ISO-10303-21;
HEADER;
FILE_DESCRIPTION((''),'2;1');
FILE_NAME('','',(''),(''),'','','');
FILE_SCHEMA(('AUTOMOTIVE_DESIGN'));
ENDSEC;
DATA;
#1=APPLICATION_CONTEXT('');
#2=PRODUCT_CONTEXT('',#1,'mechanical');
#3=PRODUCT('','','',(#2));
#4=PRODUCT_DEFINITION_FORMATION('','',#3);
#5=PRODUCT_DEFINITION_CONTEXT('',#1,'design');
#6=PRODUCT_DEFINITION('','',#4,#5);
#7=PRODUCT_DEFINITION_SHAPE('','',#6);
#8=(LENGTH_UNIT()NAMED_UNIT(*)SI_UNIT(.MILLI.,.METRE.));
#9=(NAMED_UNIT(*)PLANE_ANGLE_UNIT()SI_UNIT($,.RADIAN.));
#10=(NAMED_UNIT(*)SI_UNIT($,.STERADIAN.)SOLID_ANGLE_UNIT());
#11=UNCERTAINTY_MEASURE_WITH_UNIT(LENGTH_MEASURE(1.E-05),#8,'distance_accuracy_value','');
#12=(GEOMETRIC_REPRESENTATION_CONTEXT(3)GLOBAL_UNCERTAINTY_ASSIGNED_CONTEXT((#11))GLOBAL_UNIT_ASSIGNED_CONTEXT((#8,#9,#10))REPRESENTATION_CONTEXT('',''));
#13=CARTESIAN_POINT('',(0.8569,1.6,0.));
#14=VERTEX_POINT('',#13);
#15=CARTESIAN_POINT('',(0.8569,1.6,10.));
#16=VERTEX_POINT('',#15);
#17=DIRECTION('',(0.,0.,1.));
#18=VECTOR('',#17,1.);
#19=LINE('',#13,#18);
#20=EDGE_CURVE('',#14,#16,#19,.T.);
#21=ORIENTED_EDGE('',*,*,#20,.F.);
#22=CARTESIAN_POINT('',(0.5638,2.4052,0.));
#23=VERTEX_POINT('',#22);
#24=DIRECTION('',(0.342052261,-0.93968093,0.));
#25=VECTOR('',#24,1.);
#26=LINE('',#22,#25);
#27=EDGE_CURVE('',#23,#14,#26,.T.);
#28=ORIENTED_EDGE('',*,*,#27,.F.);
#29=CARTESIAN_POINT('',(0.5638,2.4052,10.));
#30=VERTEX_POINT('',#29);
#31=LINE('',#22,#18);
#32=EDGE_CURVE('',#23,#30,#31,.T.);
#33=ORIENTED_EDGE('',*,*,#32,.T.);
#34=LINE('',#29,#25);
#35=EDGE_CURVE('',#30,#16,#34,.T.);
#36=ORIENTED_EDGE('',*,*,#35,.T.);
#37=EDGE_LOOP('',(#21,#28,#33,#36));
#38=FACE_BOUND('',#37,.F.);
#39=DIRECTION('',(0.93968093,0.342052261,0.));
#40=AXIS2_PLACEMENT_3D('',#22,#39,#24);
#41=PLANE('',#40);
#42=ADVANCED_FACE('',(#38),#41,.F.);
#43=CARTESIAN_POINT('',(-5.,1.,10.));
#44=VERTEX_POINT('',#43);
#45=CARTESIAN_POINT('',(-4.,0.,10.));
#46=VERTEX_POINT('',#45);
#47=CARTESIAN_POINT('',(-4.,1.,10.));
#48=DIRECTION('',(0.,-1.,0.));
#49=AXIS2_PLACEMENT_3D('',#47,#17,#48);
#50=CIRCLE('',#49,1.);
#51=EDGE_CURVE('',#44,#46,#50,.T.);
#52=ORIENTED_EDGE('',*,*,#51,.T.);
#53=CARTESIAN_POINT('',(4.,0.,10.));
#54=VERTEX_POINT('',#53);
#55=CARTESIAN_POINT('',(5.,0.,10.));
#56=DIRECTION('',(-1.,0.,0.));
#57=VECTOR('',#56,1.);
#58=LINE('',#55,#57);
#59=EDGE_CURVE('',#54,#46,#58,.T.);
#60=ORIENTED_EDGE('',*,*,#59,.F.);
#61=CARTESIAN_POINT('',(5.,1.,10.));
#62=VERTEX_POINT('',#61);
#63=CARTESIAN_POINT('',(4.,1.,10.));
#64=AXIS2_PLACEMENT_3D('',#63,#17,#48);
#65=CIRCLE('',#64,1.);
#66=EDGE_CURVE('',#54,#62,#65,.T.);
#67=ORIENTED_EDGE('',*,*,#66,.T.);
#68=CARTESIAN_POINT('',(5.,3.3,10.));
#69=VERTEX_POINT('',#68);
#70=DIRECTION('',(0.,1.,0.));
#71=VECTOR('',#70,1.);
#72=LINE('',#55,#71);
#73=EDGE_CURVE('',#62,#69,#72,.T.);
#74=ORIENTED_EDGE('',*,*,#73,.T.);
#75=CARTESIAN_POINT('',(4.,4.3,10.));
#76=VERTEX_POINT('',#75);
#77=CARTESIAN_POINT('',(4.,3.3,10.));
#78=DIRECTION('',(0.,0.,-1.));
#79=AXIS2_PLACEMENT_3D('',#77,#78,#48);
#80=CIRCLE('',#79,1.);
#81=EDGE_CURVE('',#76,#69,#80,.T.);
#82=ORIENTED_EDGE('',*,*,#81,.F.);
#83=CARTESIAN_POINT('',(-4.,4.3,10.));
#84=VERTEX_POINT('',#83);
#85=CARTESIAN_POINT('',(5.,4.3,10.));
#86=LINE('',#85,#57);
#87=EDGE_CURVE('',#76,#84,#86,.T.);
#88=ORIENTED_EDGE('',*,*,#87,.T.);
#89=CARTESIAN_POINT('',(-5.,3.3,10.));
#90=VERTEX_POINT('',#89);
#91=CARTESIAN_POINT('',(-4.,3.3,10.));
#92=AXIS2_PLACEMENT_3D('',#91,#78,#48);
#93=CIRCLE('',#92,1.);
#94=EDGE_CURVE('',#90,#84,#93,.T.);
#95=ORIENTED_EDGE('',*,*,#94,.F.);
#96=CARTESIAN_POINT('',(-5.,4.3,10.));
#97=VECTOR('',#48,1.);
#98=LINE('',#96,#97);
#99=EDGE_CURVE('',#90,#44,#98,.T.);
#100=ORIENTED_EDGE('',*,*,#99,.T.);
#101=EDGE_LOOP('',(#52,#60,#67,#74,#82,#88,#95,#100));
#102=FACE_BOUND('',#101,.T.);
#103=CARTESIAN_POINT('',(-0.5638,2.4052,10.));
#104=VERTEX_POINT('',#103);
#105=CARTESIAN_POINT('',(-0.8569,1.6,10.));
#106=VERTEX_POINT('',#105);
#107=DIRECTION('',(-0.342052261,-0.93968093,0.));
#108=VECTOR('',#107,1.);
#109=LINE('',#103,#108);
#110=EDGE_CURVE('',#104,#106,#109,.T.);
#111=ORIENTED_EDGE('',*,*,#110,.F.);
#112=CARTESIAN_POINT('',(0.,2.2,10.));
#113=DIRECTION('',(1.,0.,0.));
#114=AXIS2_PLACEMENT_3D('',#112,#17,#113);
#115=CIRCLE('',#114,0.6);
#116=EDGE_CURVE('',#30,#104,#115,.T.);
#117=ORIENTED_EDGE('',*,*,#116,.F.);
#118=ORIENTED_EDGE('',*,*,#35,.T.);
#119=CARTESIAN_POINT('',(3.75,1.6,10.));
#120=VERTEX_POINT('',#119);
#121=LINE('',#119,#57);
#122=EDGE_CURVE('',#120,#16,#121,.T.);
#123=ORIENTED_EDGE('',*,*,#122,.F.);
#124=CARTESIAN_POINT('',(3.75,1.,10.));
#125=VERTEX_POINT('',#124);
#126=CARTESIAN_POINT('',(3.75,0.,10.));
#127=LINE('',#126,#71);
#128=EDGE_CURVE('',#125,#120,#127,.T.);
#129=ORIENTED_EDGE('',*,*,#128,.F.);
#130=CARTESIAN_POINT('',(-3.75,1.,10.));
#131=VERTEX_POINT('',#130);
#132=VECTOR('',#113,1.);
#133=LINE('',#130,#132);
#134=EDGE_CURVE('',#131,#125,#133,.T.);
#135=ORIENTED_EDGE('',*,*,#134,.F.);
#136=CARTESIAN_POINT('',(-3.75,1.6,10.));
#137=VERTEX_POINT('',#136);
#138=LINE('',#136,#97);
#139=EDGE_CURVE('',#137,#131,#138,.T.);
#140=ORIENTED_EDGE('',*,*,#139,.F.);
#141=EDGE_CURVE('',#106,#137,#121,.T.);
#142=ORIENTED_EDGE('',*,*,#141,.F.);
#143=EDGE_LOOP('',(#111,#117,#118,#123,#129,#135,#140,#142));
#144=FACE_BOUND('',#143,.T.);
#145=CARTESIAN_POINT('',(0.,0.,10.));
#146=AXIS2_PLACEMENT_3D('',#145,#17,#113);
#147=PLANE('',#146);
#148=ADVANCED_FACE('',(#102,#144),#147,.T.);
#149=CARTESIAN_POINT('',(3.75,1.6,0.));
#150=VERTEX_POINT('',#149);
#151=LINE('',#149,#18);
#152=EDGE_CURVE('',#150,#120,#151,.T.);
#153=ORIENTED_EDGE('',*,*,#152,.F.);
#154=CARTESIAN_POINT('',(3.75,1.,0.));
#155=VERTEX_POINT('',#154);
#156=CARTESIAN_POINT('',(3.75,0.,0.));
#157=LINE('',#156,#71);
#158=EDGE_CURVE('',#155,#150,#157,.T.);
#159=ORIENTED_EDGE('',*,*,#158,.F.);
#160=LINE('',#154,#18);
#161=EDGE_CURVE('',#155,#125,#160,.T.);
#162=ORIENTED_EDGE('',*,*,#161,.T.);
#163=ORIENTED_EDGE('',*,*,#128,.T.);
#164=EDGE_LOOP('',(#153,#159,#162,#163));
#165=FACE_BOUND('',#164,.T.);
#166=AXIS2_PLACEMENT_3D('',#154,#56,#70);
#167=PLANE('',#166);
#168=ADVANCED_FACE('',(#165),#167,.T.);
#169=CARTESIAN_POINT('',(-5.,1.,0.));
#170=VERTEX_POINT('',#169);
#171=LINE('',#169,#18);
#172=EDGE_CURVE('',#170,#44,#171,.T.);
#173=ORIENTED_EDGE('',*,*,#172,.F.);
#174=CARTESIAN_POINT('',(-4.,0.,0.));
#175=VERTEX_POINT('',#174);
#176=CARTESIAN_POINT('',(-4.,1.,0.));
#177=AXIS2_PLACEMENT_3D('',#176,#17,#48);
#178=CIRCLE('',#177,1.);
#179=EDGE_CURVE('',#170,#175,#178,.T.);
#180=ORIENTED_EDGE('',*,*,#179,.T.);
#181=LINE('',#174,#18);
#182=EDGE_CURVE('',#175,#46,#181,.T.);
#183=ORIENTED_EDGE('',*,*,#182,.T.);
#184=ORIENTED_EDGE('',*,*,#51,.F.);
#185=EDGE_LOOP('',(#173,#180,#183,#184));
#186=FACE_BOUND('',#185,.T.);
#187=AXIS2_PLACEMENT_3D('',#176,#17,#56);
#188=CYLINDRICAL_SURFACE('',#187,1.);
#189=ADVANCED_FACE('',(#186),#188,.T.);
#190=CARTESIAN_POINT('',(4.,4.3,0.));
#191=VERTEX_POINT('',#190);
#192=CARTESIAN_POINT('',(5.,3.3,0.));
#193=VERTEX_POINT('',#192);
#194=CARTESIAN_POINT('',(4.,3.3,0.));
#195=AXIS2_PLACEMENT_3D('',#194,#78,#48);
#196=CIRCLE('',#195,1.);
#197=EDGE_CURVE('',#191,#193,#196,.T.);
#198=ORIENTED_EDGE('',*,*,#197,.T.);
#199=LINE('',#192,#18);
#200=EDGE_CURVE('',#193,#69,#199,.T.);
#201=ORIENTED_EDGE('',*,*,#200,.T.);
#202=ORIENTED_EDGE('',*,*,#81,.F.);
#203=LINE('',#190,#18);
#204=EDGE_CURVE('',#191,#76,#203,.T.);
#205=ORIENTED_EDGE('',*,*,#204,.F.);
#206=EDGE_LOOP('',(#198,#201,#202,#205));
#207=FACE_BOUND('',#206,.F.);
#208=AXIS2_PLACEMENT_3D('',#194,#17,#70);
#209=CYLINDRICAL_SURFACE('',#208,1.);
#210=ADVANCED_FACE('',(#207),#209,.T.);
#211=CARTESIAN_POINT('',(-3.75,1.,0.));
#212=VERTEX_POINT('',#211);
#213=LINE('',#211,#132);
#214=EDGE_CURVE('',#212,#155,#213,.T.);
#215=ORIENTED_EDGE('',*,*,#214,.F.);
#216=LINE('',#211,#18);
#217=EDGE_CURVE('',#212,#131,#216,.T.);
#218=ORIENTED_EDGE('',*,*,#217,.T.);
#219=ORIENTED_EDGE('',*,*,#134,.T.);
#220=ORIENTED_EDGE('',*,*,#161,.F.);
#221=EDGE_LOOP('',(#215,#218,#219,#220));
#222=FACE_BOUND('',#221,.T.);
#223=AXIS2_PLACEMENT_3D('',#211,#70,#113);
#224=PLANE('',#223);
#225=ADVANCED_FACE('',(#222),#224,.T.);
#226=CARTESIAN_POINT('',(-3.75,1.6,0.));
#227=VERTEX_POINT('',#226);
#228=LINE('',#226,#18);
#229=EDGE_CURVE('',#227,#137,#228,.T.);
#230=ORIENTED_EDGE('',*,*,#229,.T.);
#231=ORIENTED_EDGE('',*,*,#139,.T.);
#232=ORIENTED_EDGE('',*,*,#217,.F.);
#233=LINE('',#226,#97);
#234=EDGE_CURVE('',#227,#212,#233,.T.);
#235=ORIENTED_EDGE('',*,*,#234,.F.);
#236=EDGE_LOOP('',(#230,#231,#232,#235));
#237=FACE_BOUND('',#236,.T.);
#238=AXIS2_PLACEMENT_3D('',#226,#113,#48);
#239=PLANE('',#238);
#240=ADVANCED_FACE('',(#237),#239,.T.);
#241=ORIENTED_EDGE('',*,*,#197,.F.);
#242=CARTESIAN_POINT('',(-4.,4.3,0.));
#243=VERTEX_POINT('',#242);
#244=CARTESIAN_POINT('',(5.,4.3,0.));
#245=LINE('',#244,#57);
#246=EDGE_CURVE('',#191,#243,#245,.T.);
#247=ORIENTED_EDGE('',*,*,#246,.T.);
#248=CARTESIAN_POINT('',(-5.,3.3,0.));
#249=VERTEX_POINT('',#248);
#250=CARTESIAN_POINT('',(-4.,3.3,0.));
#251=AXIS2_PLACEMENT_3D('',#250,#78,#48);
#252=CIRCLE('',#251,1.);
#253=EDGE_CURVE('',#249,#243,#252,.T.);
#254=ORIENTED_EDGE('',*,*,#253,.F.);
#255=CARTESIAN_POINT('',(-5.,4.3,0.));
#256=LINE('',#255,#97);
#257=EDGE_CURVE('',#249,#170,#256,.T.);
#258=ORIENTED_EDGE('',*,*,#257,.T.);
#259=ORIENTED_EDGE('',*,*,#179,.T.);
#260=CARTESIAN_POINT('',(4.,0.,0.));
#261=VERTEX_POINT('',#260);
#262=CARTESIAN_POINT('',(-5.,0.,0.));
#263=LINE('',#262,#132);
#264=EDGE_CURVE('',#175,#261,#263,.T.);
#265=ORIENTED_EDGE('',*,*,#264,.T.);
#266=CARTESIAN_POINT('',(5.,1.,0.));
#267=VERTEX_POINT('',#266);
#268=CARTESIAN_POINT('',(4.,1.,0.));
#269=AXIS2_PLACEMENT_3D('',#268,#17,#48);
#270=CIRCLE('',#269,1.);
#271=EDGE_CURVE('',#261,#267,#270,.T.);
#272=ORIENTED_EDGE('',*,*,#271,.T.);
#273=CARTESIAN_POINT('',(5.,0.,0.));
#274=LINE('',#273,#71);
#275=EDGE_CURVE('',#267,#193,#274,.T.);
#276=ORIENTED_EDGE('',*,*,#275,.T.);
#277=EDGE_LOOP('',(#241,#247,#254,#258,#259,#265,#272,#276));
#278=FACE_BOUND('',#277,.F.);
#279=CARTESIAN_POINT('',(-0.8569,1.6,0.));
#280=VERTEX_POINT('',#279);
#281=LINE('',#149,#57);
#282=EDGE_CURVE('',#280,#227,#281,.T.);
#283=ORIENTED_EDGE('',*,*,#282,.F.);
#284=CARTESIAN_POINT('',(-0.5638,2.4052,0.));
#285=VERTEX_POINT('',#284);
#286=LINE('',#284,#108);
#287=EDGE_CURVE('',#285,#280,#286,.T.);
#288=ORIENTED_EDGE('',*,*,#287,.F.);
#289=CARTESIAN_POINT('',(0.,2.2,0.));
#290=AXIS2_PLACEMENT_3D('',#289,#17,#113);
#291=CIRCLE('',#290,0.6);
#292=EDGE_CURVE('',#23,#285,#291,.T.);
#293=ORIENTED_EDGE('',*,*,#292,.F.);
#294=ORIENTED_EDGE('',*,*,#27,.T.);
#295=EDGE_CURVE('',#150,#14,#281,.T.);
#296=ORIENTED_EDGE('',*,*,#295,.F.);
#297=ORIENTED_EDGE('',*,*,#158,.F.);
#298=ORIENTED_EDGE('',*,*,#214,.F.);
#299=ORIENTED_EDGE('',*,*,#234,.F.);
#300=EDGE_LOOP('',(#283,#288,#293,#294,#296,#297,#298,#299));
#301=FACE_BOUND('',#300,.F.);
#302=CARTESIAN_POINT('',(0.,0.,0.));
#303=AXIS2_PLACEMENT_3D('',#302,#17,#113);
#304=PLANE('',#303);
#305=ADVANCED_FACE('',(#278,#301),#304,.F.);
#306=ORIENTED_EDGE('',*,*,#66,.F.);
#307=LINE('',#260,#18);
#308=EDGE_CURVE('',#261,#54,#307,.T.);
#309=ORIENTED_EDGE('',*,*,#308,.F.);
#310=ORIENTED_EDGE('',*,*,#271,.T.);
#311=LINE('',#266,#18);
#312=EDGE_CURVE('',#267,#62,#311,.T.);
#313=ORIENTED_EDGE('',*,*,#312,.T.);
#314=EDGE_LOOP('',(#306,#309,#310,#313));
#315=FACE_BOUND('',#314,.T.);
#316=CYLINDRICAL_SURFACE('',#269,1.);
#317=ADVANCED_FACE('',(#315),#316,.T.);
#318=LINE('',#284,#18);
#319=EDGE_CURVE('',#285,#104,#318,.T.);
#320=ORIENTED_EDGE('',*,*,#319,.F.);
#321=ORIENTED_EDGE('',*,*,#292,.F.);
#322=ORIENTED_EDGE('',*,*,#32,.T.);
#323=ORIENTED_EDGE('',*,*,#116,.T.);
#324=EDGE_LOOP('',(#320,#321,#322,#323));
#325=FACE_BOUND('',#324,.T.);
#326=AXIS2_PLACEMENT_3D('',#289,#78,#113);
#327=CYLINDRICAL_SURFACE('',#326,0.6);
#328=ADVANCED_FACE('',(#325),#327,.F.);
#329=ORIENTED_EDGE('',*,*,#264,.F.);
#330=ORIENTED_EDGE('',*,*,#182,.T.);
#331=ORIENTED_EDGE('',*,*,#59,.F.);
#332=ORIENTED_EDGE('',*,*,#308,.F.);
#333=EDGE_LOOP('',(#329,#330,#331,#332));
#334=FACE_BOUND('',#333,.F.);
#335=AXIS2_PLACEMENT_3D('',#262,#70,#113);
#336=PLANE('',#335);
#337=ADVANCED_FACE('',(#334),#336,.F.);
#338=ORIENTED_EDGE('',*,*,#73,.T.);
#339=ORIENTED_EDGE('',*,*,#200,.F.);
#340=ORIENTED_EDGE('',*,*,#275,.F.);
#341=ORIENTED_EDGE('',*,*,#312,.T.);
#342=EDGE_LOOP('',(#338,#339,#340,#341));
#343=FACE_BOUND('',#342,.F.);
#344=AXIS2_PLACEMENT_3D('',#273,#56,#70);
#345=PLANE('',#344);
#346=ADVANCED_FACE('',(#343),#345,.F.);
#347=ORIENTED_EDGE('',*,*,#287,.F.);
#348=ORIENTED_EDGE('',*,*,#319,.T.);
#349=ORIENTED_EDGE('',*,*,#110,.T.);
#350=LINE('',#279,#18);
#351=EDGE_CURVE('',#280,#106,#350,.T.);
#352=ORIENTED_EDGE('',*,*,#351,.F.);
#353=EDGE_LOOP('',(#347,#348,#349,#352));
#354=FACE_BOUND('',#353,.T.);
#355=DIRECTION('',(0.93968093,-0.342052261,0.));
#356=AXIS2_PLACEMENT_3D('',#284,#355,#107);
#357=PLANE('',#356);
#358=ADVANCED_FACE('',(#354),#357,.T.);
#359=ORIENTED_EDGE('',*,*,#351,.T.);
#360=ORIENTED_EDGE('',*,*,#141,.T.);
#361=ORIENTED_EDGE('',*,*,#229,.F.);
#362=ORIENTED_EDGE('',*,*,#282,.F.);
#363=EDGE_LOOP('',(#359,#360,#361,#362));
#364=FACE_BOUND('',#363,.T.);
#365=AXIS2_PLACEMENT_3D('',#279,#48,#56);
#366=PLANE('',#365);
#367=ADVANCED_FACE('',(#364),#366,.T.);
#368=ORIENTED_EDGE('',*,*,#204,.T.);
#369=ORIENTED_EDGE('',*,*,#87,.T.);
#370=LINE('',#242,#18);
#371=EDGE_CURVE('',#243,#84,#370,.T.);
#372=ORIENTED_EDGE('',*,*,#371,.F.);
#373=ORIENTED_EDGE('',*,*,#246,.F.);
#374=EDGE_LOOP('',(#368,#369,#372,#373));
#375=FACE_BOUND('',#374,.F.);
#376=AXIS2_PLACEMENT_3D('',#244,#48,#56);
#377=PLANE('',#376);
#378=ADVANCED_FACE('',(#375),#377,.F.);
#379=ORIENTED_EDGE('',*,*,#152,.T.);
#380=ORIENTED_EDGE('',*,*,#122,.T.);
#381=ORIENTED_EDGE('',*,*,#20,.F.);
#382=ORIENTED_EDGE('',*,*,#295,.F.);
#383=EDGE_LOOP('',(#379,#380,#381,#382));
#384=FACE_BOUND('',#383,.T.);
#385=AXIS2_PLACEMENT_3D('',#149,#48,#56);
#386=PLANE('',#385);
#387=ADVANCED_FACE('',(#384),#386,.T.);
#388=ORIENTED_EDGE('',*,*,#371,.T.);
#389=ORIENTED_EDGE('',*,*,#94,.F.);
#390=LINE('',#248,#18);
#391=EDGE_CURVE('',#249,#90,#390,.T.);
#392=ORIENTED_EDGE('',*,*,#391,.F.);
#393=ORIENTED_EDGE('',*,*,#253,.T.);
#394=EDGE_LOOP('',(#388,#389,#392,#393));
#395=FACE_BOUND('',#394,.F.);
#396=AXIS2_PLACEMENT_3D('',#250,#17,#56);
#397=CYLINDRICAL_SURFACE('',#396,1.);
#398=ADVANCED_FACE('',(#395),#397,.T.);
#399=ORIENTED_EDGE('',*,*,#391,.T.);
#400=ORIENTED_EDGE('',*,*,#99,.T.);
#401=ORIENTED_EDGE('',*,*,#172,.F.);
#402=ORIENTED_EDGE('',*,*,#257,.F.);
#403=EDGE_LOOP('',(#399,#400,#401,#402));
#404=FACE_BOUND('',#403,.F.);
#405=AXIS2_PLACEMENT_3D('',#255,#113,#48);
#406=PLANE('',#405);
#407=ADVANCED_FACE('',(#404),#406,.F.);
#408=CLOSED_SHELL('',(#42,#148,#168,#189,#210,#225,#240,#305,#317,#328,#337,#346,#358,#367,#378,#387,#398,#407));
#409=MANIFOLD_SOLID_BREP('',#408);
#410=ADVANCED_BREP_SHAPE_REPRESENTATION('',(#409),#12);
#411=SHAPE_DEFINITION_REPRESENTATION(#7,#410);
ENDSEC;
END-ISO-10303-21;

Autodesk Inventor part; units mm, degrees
ref_plane "YZ Plane" through (0, 0, 0) normal (1, 0, 0) x (0, 1, 0)
ref_plane "XZ Plane" through (0, 0, 0) normal (0, 1, 0) x (-1, 0, 0)
ref_plane "XY Plane" through (0, 0, 0) normal (0, 0, 1) x (1, 0, 0)
sketch "Sketch1" plane through (0, 0, 0) normal (0, 0, 1) x (1, 0, 0)
  line L0 (-5, 0) -> (5, 0)
  line L1 (5, 0) -> (5, 4.3)
  line L2 (5, 4.3) -> (-5, 4.3)
  line L3 (-5, 4.3) -> (-5, 0)
  line L4 (-3.75, 0) -> (3.75, 0)
  line L5 (3.75, 0) -> (3.75, 1.6)
  line L6 (3.75, 1.6) -> (-3.75, 1.6)
  line L7 (-3.75, 1.6) -> (-3.75, 0)
  line L8 (-3.75, 1) -> (3.75, 1)
  circle A0 centre (0, 2.2) radius 0.6
  line L9 (-0.5638, 2.4052) -> (-0.8569, 1.6)
  line L10 (0.5638, 2.4052) -> (0.8569, 1.6)
  point P0 (0, 0)
  dimension "d0" = 10
  dimension "d1" = 7.5
  dimension "d2" = 3.75
  dimension "d3" = 5
  dimension "d4" = 1
  dimension "d5" = 0.6
  dimension "d6" = 1.2
  dimension "d7" = 1.5
  dimension "d8" = 70
  dimension "d9" = 70
extrude "Extrusion1" add sketch "Sketch1" along normal blind 10 contours L3 L2 L1 L0 L5 L6 L10 A0 L9 L7 | L7 L8 L5 L0
fillet "Fillet1" radius 1 4 edges at (5, 4.3, 5) (5, 0, 5) (-5, 4.3, 5) (-5, 0, 5)
equation "\"d2\" = 0.5 * d1"
equation "\"d3\" = 0.5 * d0"
properties part number "Cable_tie_attachment"
